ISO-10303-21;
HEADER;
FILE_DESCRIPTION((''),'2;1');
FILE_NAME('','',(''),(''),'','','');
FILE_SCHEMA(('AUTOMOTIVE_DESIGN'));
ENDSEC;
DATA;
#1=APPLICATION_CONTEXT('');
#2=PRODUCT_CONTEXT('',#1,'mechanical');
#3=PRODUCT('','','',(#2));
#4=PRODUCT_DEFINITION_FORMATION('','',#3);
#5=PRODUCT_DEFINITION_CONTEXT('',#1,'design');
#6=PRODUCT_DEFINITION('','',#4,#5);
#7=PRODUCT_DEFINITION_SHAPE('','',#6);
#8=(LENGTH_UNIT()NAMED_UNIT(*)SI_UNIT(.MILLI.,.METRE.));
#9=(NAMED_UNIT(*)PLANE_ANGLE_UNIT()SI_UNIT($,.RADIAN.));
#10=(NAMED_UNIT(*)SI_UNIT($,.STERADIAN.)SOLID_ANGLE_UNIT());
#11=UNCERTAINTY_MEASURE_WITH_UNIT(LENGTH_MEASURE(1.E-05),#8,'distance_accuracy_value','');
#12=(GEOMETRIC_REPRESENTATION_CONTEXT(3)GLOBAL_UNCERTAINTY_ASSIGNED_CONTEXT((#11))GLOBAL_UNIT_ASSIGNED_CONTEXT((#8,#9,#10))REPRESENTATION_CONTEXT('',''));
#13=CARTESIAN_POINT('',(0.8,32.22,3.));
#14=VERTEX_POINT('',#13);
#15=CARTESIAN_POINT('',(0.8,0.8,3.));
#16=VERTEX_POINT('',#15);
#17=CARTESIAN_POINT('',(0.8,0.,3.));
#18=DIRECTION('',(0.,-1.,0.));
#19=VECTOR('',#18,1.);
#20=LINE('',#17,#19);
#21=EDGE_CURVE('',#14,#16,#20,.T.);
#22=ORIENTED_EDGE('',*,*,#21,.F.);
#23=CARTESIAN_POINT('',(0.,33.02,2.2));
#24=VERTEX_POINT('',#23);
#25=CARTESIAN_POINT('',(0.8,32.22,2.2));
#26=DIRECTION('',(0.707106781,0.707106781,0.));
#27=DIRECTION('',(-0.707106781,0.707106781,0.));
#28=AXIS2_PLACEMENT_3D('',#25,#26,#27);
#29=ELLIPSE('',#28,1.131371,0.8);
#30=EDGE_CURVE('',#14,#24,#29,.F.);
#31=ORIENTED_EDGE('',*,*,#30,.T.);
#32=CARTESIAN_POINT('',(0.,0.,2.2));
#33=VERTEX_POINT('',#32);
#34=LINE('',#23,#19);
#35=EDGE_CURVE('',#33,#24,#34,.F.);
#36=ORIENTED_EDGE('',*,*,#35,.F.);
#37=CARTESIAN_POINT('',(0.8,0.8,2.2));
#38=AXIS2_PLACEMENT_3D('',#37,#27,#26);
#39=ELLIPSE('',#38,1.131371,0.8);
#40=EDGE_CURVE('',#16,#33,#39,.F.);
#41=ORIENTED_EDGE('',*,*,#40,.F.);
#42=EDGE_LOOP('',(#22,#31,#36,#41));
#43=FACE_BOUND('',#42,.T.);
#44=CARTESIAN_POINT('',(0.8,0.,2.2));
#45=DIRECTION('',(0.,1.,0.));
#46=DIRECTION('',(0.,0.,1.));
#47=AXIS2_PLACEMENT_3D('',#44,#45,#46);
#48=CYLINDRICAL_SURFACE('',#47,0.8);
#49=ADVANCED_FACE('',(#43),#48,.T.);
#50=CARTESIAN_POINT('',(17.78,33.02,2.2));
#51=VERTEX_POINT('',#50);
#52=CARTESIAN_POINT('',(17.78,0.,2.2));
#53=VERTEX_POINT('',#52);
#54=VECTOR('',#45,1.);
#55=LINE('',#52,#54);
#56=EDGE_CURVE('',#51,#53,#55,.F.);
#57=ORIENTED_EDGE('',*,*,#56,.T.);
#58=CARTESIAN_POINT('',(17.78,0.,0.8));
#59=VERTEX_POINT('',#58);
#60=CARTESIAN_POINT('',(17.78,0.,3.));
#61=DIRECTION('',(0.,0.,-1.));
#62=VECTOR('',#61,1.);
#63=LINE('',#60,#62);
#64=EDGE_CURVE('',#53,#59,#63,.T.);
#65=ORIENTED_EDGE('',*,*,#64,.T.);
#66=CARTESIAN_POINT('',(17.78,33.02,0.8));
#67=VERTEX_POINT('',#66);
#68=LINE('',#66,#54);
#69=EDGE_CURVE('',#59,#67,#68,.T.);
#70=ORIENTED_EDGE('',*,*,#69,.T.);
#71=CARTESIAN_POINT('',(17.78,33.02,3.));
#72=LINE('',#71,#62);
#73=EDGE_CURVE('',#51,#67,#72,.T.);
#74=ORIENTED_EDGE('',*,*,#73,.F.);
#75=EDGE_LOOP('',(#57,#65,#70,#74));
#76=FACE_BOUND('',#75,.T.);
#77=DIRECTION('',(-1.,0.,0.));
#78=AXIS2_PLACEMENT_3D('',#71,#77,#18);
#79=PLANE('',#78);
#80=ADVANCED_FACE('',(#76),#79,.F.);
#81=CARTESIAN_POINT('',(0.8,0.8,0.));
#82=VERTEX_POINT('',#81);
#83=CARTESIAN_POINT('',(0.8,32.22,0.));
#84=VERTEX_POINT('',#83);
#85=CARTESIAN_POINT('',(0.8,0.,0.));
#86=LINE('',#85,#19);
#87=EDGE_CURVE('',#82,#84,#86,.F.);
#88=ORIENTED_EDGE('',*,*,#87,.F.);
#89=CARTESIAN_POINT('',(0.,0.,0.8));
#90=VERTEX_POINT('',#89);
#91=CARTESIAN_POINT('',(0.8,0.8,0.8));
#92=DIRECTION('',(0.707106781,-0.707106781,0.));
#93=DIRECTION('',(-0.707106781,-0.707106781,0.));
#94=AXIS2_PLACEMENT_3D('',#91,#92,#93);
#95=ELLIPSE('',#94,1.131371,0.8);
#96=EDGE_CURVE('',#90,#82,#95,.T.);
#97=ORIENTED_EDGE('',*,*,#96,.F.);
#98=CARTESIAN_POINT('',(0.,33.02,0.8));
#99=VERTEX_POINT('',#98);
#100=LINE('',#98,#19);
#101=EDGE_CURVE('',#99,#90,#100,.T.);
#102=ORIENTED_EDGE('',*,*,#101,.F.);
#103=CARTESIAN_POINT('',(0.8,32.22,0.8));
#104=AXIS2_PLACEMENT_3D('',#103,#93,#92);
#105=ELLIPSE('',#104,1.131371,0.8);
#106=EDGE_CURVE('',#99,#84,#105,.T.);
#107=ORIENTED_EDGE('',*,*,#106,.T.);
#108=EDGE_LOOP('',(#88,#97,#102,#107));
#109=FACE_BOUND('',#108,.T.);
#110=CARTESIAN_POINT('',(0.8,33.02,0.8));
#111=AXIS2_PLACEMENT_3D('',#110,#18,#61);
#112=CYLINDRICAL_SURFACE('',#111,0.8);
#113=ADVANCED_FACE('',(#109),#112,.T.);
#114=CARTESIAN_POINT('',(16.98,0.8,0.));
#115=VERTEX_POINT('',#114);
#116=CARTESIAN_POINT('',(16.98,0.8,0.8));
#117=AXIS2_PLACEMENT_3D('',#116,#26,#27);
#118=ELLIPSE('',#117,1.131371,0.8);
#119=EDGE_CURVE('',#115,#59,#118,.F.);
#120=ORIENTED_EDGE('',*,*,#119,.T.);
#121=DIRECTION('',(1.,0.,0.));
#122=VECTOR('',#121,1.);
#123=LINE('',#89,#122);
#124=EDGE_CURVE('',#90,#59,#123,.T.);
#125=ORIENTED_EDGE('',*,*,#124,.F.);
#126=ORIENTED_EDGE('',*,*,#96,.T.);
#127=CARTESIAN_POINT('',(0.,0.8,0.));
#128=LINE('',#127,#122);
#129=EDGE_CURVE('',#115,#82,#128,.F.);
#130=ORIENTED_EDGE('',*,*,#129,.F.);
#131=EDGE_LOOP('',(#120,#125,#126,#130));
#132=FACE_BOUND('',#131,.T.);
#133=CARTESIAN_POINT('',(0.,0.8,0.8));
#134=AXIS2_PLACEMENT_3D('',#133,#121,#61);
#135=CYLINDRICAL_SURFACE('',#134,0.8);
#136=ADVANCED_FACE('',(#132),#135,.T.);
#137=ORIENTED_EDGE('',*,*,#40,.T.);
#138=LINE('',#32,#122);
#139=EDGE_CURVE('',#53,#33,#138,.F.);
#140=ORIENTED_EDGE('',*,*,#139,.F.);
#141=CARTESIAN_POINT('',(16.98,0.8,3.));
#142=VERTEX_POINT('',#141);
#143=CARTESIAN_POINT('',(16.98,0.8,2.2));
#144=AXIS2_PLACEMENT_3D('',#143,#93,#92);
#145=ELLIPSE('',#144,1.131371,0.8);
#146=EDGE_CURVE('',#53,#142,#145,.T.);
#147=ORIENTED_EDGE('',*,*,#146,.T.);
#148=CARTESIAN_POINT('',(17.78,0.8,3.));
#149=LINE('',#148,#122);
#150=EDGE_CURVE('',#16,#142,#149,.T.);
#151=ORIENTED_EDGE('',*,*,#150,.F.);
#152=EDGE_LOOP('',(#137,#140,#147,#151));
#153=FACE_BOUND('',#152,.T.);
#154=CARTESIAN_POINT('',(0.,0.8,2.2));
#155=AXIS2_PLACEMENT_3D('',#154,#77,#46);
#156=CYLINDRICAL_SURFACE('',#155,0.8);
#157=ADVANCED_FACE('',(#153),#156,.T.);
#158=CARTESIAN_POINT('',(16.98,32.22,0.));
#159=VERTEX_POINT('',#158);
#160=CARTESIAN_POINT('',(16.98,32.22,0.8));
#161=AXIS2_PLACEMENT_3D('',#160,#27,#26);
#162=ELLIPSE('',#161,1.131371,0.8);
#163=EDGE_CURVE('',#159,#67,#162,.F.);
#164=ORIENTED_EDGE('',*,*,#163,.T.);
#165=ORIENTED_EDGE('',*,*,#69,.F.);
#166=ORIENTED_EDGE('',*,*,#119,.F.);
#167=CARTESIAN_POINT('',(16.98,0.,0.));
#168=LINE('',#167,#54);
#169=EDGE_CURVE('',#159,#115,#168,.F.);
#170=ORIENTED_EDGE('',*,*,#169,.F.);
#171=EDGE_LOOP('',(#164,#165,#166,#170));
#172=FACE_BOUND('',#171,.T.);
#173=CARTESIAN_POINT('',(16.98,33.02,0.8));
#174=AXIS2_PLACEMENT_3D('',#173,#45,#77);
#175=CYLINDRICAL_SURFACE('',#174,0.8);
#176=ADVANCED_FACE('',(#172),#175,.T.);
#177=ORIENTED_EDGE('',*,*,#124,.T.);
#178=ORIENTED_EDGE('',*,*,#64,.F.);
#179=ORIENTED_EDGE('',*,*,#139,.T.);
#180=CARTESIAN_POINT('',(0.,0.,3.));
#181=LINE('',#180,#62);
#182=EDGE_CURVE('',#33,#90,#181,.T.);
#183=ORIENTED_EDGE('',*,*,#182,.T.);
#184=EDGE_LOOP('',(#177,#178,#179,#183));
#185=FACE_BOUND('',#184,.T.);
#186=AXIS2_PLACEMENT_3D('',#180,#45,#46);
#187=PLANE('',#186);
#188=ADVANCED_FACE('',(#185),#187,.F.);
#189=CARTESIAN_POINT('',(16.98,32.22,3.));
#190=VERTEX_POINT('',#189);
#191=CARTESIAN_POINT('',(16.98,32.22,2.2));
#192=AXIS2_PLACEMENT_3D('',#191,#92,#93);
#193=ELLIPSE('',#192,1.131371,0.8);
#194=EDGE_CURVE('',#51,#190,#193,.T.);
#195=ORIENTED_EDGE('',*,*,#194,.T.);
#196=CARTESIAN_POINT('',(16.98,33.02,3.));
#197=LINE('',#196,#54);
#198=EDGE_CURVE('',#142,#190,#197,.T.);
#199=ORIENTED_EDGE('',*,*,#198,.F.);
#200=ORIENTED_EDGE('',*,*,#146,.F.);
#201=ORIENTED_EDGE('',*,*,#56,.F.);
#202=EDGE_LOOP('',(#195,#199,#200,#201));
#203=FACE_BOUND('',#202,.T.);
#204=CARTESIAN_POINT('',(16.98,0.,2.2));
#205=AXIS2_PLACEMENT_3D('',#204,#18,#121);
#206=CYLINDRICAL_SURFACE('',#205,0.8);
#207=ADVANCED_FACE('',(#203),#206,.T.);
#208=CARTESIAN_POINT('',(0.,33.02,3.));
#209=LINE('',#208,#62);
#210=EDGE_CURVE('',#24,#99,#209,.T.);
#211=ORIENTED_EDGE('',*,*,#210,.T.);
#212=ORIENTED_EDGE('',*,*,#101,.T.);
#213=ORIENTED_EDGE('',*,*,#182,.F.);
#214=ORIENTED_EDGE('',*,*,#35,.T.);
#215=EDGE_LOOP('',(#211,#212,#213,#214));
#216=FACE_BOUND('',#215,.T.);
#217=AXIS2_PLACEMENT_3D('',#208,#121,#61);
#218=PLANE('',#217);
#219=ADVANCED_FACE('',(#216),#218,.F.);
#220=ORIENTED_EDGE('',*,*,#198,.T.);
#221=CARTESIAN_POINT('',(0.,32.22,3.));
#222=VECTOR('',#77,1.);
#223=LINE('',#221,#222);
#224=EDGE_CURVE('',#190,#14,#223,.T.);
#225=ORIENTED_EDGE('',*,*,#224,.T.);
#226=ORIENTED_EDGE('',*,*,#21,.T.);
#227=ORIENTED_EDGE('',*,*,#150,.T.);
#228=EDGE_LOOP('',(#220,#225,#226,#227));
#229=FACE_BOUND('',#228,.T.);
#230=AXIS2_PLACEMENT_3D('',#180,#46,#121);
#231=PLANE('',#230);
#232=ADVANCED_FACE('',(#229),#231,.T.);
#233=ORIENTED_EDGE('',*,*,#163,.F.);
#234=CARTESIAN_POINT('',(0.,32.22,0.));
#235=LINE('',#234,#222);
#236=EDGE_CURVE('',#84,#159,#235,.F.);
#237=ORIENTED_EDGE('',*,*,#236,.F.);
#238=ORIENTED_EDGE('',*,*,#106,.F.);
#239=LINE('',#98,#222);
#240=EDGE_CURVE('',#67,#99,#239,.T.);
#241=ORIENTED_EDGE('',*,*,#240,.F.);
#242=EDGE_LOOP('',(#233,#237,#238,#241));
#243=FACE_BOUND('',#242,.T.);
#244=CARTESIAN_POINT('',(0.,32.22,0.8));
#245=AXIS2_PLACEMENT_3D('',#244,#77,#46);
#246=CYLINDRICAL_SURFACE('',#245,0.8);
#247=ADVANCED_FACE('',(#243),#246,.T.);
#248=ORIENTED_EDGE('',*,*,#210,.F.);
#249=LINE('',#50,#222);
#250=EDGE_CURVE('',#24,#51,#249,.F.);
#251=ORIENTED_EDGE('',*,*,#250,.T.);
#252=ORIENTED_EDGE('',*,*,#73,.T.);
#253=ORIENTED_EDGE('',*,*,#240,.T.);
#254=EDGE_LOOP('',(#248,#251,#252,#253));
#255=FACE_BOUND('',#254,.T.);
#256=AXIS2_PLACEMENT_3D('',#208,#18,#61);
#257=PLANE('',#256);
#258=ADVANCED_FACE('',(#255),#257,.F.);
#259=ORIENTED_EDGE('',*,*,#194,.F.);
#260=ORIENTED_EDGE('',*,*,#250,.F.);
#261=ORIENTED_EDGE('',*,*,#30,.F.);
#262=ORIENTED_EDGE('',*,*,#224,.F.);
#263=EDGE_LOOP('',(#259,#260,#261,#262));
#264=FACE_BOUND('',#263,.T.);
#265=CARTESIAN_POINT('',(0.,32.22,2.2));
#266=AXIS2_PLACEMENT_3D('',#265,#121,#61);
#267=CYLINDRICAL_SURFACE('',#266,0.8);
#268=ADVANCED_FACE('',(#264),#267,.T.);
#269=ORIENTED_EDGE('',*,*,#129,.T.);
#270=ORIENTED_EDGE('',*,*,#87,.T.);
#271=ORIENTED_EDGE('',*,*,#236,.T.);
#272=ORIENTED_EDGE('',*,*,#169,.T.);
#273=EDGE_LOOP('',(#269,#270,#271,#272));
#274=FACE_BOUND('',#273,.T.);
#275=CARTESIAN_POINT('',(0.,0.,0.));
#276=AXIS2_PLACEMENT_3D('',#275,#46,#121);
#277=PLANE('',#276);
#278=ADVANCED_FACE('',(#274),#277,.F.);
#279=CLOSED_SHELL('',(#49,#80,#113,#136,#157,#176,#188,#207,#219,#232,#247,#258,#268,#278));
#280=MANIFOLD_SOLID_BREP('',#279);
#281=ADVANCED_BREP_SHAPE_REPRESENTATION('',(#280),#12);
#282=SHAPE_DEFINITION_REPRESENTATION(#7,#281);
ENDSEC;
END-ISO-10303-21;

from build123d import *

# Parameters (mm, degrees)
SKETCH1_W           = 17.78
SKETCH1_H           = 33.02
BOSS_EXTRUDE1_DEPTH = 3
FILLET2_R           = 0.8


with BuildPart() as part:
    # Sketch1 → Boss-Extrude1 (new body)
    with BuildSketch(Plane.XY):
        with Locations((8.89, 16.51)):
            Rectangle(SKETCH1_W, SKETCH1_H)
    extrude(amount=BOSS_EXTRUDE1_DEPTH)

    # Fillet2
    fillet2_edges = [part.edges().sort_by_distance(p)[0] for p in [
        (17.78, 16.51, 3),
        (8.89, 33.02, 3),
        (0, 16.51, 3),
        (8.89, 33.02, 0),
        (17.78, 16.51, 0),
        (8.89, 0, 0),
        (0, 16.51, 0),
        (8.89, 0, 3),
    ]]
    fillet(fillet2_edges, radius=FILLET2_R)


solid = part.part
